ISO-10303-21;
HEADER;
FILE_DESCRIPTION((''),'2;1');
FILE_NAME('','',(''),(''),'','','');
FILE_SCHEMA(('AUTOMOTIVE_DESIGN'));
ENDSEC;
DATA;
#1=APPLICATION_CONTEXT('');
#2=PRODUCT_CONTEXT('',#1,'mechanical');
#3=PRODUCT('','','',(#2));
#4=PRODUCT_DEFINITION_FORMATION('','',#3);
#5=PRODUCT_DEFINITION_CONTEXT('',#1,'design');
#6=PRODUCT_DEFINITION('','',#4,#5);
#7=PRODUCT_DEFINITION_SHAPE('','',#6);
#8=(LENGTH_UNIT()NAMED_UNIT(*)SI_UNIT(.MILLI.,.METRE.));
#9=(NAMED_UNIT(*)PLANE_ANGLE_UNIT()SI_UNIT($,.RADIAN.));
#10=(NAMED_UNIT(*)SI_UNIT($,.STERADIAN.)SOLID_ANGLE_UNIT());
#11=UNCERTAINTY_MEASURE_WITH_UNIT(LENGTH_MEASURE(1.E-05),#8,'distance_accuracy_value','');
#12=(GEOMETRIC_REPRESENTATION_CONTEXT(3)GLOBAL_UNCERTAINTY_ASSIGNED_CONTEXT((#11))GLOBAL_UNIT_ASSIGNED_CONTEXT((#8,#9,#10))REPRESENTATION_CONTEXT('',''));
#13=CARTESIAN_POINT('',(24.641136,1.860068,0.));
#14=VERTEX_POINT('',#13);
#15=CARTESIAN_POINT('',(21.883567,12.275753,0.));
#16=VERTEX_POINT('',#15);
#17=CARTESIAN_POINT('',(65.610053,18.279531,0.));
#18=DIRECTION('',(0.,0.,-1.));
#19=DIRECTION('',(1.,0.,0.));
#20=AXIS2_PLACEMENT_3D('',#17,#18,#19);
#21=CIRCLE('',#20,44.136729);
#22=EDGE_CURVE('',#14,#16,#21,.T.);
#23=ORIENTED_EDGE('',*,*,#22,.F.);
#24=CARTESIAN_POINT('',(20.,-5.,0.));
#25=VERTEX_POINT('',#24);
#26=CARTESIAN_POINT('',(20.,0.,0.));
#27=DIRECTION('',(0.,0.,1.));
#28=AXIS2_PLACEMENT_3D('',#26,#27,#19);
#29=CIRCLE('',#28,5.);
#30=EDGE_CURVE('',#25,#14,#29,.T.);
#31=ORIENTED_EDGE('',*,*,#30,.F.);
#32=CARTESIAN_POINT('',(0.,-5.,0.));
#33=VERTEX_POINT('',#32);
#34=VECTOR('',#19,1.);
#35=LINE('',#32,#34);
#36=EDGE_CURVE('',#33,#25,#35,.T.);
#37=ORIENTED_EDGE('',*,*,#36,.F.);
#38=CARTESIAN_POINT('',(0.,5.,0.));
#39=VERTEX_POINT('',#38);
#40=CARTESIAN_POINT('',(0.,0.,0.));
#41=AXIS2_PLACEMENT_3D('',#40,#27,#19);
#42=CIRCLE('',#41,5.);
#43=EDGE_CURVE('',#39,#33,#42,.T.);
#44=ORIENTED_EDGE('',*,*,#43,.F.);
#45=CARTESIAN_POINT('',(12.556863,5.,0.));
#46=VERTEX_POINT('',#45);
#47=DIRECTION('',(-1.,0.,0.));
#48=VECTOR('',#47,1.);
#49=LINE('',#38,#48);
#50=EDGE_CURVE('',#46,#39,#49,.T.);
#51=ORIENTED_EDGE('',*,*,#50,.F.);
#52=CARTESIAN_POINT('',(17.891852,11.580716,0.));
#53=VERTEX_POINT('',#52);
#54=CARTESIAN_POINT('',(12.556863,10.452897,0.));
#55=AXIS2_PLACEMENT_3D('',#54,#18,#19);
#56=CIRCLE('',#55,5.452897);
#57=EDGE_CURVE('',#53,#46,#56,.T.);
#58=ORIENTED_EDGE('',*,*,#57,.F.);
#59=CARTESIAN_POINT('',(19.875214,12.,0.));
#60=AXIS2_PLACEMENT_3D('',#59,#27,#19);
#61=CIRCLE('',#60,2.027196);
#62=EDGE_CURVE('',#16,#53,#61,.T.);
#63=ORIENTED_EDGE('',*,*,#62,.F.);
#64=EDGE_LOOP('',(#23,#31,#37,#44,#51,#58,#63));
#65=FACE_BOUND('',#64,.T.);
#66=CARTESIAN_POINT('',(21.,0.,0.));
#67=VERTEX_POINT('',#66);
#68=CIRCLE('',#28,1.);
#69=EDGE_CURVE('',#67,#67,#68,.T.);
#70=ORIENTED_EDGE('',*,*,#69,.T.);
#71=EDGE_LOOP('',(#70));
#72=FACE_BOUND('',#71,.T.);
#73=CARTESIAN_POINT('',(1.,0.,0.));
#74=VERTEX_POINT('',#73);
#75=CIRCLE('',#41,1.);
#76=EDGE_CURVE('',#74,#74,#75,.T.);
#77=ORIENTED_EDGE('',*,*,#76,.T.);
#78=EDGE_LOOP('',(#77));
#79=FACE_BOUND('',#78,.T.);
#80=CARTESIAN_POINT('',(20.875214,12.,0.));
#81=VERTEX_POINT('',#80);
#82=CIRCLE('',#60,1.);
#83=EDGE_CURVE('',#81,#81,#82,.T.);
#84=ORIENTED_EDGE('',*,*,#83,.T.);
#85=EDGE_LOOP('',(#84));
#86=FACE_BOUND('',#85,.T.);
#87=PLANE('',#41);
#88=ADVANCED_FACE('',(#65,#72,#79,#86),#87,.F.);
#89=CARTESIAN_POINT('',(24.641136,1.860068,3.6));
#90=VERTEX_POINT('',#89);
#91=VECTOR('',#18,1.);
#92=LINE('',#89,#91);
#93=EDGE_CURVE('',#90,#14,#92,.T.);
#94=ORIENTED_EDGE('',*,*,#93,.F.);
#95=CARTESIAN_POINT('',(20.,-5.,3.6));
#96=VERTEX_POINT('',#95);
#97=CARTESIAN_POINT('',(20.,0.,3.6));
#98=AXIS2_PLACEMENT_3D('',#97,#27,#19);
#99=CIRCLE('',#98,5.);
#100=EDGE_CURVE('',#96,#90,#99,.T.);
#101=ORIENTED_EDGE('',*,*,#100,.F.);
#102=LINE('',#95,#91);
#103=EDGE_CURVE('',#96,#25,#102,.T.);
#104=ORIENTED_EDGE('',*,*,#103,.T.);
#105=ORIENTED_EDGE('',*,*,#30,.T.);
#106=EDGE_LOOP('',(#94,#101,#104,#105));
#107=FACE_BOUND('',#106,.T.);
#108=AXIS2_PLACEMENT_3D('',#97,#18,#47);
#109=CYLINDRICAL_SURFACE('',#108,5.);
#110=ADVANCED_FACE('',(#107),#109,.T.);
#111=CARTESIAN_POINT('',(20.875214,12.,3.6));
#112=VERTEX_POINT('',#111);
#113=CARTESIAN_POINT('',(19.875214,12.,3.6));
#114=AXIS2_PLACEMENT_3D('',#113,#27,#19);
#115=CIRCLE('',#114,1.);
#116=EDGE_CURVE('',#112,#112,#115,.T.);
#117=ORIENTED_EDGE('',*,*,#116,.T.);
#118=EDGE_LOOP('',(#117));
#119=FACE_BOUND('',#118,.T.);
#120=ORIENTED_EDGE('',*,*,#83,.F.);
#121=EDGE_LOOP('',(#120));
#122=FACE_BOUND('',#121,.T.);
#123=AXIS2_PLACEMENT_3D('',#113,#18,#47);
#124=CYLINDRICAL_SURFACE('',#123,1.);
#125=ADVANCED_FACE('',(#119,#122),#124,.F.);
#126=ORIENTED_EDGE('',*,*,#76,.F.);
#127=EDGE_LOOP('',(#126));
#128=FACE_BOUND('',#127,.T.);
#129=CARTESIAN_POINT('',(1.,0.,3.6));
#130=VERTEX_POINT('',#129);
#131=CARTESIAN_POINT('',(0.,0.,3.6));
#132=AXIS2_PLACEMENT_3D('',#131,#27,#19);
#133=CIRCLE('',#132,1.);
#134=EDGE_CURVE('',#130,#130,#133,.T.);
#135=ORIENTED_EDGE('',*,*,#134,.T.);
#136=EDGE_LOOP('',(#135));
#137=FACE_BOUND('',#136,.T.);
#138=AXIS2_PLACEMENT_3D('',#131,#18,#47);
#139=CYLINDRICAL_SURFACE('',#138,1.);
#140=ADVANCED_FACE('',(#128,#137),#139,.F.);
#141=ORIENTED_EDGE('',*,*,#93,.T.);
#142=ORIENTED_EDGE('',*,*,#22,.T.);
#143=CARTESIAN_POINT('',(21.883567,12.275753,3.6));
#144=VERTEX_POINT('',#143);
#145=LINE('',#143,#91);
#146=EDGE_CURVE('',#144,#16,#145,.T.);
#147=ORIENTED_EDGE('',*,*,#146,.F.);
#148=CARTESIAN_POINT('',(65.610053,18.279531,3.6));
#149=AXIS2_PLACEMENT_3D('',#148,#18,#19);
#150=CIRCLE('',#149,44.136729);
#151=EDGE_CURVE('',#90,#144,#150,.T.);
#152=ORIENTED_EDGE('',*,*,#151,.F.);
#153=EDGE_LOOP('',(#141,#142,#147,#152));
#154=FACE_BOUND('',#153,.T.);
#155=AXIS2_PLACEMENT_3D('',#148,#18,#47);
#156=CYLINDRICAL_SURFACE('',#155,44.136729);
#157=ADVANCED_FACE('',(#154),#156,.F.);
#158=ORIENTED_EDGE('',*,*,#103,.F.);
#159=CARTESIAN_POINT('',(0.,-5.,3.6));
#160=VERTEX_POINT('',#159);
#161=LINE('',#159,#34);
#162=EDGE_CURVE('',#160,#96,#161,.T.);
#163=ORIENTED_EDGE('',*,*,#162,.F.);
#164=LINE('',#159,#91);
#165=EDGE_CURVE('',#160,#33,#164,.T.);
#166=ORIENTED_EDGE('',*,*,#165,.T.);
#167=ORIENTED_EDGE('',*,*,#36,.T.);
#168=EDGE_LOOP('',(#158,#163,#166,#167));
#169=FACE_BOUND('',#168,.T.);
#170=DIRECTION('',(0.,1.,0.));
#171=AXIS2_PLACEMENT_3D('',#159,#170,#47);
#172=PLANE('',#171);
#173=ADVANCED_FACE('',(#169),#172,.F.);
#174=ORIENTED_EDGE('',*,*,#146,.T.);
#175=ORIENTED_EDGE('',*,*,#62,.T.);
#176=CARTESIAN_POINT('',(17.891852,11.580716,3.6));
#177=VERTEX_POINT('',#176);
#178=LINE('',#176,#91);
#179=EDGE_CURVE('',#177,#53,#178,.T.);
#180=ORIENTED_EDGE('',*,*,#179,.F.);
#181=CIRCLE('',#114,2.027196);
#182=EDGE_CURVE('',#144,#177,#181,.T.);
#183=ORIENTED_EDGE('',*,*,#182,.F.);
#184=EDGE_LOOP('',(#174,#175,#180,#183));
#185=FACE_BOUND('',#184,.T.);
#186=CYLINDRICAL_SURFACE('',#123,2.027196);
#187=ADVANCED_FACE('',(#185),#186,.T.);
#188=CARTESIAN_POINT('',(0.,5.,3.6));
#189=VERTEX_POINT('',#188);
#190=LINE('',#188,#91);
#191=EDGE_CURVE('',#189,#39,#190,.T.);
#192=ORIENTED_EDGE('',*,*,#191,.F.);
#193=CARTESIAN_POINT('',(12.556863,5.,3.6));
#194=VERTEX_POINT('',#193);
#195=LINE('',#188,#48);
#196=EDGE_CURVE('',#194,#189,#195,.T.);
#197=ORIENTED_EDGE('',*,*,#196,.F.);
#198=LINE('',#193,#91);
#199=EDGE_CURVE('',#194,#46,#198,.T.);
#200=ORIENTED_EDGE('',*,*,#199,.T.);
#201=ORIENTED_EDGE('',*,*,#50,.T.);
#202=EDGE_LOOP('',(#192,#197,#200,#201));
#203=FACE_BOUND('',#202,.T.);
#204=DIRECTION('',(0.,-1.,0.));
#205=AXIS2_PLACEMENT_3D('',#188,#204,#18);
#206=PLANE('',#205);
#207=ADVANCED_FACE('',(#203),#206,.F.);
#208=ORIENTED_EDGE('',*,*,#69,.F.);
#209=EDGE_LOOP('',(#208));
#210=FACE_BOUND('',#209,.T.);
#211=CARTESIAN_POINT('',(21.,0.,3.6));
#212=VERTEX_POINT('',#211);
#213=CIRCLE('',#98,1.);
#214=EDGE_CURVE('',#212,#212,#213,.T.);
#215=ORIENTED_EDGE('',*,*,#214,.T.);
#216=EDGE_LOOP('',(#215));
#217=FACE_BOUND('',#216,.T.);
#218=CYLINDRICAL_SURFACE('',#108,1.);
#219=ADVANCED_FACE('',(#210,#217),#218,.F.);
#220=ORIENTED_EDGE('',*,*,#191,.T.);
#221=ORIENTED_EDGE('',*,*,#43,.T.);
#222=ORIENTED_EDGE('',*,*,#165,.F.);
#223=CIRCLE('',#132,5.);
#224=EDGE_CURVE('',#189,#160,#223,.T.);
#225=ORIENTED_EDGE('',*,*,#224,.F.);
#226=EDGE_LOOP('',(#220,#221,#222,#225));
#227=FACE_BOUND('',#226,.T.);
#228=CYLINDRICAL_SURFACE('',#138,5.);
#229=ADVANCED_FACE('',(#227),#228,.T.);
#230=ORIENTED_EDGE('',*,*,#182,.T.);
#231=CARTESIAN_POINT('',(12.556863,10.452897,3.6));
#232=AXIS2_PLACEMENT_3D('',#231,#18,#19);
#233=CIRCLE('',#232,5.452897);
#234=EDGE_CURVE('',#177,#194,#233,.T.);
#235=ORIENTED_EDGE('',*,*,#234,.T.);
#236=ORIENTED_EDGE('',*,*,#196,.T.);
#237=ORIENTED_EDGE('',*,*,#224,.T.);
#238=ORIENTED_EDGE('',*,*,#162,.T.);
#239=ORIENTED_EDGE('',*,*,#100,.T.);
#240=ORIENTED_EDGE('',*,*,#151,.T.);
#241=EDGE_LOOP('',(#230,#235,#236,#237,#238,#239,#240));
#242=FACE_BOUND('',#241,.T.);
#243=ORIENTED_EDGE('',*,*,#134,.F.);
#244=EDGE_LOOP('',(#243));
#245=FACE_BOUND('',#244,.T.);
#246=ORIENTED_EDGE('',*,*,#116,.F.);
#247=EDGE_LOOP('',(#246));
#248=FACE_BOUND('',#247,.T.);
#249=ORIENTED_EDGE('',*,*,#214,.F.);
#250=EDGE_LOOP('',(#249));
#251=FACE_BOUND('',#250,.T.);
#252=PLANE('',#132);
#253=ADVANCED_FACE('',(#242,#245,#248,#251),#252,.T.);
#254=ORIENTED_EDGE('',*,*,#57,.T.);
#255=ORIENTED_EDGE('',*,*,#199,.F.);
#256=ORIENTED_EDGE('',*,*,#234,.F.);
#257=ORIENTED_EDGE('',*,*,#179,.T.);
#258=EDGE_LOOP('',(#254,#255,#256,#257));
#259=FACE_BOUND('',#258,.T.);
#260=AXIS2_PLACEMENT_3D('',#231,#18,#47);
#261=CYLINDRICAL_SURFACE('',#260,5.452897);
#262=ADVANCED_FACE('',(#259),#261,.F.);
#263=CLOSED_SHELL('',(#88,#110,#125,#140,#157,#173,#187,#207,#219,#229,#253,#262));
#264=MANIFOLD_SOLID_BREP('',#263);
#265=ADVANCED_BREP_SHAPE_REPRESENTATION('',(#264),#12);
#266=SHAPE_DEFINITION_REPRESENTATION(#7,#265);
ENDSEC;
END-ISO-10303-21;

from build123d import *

# Parameters (mm, degrees)
SKETCH1_R           = 1
BOSS_EXTRUDE1_DEPTH = 3.6


with BuildPart() as part:
    # Sketch1 → Boss-Extrude1 (new body)
    with BuildSketch(Plane.XY):
        with BuildLine():
            Line((0, 5), (12.556863352, 5))
            ThreePointArc((12.556863352, 5), (16.792661174, 7.018934049), (17.891852228, 11.580716256))
            ThreePointArc((17.891852228, 11.580716256), (19.527471102, 13.99714741), (21.883567401, 12.27575296))
            ThreePointArc((21.883567401, 12.27575296), (22.943328128, 6.983448401), (24.641136419, 1.860067939))
            ThreePointArc((24.641136419, 1.860067939), (24.141276355, -2.801754834), (20, -5))
            Line((20, -5), (0, -5))
            ThreePointArc((0, -5), (-5, 0), (0, 5))
        make_face()
        Circle(SKETCH1_R, mode=Mode.SUBTRACT)
        with Locations((20, 0)):
            Circle(SKETCH1_R, mode=Mode.SUBTRACT)
        with Locations((19.875214038, 12)):
            Circle(SKETCH1_R, mode=Mode.SUBTRACT)
    extrude(amount=BOSS_EXTRUDE1_DEPTH)


solid = part.part
